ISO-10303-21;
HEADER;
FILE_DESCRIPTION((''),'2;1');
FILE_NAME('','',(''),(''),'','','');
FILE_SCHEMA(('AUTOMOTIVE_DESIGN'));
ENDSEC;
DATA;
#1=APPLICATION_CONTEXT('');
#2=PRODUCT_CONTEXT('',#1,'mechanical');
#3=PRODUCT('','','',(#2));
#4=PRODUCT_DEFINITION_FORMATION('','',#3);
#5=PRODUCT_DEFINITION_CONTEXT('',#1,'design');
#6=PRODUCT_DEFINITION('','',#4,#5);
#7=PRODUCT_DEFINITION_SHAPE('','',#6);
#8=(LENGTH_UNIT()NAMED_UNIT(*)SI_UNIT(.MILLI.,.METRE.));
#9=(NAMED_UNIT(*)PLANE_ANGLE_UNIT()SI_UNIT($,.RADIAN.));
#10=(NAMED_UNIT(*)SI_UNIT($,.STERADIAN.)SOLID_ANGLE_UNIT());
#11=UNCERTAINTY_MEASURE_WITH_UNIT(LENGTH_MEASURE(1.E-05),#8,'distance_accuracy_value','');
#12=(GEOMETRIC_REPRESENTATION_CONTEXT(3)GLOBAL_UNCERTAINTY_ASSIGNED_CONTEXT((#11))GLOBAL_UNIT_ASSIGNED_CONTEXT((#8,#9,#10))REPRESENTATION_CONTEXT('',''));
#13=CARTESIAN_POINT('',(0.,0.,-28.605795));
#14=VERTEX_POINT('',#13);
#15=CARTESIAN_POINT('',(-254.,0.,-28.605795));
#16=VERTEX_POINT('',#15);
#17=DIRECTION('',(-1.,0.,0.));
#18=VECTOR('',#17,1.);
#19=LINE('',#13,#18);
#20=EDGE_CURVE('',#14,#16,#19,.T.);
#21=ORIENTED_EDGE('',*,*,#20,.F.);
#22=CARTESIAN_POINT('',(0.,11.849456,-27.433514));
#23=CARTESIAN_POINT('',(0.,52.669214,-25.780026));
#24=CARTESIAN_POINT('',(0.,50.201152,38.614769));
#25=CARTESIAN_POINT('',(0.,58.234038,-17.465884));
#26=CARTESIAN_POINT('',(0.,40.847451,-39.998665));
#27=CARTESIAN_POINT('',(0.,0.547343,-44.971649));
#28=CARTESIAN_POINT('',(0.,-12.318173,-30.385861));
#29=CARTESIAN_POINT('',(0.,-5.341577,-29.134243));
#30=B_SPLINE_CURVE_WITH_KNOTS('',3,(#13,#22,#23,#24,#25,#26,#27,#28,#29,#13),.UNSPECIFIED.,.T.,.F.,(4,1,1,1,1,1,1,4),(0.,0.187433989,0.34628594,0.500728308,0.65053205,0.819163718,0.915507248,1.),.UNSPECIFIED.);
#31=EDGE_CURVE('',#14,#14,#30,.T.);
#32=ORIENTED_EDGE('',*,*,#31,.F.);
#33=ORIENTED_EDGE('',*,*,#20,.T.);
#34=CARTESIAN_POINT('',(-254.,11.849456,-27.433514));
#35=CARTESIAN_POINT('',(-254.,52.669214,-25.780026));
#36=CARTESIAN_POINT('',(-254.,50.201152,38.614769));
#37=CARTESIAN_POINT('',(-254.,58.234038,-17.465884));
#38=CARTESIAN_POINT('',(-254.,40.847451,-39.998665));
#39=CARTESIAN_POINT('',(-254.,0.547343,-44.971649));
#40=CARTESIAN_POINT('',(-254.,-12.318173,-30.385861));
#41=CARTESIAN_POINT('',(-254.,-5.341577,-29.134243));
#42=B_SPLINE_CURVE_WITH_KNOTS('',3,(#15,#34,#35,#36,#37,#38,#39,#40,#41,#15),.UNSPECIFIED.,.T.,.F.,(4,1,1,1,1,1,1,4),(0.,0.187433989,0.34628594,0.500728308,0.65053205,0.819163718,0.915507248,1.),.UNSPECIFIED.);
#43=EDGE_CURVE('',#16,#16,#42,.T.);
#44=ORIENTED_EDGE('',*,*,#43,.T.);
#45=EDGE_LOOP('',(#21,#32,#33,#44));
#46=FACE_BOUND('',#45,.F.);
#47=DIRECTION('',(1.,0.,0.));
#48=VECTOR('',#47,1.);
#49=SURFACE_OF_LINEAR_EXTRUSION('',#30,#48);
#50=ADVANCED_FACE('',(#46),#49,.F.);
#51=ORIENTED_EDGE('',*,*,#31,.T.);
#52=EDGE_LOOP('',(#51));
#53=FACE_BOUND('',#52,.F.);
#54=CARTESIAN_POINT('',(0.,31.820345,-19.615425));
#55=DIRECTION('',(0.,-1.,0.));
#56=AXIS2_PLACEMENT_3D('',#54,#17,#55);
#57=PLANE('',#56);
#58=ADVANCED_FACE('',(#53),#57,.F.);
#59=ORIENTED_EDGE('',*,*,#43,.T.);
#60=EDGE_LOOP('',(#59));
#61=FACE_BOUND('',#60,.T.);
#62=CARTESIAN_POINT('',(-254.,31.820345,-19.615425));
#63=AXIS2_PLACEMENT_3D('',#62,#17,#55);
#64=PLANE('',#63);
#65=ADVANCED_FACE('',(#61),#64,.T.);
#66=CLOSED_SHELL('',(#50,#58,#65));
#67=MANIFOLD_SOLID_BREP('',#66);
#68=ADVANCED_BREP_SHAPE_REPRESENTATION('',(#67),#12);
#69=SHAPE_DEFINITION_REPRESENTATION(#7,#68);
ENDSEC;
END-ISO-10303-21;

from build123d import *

# Parameters (mm, degrees)
F1_DEPTH = 254


with BuildPart() as f1:
    # F0 (on Right) → F1 (new body)
    with BuildSketch(Plane.YZ):
        with BuildLine():
            add(Edge.make_bspline(
                [(0, -28.6057945341), (11.8494560331, -27.4335141079), (52.6692137403, -25.7800255217), (50.20115151, 38.6147688731), (58.2340382166, -17.4658838195), (40.847451376, -39.9986652965), (0.5473426826, -44.9716493761), (-12.3181727345, -30.3858609336), (-5.3415773729, -29.1342429778), (0, -28.6057945341)],
                knots=[0, 0, 0, 0, 0.1874339892, 0.34628594, 0.5007283083, 0.6505320501, 0.8191637176, 0.9155072475, 1, 1, 1, 1], degree=3))
        make_face()
    extrude(amount=-F1_DEPTH)


solid = f1.part
